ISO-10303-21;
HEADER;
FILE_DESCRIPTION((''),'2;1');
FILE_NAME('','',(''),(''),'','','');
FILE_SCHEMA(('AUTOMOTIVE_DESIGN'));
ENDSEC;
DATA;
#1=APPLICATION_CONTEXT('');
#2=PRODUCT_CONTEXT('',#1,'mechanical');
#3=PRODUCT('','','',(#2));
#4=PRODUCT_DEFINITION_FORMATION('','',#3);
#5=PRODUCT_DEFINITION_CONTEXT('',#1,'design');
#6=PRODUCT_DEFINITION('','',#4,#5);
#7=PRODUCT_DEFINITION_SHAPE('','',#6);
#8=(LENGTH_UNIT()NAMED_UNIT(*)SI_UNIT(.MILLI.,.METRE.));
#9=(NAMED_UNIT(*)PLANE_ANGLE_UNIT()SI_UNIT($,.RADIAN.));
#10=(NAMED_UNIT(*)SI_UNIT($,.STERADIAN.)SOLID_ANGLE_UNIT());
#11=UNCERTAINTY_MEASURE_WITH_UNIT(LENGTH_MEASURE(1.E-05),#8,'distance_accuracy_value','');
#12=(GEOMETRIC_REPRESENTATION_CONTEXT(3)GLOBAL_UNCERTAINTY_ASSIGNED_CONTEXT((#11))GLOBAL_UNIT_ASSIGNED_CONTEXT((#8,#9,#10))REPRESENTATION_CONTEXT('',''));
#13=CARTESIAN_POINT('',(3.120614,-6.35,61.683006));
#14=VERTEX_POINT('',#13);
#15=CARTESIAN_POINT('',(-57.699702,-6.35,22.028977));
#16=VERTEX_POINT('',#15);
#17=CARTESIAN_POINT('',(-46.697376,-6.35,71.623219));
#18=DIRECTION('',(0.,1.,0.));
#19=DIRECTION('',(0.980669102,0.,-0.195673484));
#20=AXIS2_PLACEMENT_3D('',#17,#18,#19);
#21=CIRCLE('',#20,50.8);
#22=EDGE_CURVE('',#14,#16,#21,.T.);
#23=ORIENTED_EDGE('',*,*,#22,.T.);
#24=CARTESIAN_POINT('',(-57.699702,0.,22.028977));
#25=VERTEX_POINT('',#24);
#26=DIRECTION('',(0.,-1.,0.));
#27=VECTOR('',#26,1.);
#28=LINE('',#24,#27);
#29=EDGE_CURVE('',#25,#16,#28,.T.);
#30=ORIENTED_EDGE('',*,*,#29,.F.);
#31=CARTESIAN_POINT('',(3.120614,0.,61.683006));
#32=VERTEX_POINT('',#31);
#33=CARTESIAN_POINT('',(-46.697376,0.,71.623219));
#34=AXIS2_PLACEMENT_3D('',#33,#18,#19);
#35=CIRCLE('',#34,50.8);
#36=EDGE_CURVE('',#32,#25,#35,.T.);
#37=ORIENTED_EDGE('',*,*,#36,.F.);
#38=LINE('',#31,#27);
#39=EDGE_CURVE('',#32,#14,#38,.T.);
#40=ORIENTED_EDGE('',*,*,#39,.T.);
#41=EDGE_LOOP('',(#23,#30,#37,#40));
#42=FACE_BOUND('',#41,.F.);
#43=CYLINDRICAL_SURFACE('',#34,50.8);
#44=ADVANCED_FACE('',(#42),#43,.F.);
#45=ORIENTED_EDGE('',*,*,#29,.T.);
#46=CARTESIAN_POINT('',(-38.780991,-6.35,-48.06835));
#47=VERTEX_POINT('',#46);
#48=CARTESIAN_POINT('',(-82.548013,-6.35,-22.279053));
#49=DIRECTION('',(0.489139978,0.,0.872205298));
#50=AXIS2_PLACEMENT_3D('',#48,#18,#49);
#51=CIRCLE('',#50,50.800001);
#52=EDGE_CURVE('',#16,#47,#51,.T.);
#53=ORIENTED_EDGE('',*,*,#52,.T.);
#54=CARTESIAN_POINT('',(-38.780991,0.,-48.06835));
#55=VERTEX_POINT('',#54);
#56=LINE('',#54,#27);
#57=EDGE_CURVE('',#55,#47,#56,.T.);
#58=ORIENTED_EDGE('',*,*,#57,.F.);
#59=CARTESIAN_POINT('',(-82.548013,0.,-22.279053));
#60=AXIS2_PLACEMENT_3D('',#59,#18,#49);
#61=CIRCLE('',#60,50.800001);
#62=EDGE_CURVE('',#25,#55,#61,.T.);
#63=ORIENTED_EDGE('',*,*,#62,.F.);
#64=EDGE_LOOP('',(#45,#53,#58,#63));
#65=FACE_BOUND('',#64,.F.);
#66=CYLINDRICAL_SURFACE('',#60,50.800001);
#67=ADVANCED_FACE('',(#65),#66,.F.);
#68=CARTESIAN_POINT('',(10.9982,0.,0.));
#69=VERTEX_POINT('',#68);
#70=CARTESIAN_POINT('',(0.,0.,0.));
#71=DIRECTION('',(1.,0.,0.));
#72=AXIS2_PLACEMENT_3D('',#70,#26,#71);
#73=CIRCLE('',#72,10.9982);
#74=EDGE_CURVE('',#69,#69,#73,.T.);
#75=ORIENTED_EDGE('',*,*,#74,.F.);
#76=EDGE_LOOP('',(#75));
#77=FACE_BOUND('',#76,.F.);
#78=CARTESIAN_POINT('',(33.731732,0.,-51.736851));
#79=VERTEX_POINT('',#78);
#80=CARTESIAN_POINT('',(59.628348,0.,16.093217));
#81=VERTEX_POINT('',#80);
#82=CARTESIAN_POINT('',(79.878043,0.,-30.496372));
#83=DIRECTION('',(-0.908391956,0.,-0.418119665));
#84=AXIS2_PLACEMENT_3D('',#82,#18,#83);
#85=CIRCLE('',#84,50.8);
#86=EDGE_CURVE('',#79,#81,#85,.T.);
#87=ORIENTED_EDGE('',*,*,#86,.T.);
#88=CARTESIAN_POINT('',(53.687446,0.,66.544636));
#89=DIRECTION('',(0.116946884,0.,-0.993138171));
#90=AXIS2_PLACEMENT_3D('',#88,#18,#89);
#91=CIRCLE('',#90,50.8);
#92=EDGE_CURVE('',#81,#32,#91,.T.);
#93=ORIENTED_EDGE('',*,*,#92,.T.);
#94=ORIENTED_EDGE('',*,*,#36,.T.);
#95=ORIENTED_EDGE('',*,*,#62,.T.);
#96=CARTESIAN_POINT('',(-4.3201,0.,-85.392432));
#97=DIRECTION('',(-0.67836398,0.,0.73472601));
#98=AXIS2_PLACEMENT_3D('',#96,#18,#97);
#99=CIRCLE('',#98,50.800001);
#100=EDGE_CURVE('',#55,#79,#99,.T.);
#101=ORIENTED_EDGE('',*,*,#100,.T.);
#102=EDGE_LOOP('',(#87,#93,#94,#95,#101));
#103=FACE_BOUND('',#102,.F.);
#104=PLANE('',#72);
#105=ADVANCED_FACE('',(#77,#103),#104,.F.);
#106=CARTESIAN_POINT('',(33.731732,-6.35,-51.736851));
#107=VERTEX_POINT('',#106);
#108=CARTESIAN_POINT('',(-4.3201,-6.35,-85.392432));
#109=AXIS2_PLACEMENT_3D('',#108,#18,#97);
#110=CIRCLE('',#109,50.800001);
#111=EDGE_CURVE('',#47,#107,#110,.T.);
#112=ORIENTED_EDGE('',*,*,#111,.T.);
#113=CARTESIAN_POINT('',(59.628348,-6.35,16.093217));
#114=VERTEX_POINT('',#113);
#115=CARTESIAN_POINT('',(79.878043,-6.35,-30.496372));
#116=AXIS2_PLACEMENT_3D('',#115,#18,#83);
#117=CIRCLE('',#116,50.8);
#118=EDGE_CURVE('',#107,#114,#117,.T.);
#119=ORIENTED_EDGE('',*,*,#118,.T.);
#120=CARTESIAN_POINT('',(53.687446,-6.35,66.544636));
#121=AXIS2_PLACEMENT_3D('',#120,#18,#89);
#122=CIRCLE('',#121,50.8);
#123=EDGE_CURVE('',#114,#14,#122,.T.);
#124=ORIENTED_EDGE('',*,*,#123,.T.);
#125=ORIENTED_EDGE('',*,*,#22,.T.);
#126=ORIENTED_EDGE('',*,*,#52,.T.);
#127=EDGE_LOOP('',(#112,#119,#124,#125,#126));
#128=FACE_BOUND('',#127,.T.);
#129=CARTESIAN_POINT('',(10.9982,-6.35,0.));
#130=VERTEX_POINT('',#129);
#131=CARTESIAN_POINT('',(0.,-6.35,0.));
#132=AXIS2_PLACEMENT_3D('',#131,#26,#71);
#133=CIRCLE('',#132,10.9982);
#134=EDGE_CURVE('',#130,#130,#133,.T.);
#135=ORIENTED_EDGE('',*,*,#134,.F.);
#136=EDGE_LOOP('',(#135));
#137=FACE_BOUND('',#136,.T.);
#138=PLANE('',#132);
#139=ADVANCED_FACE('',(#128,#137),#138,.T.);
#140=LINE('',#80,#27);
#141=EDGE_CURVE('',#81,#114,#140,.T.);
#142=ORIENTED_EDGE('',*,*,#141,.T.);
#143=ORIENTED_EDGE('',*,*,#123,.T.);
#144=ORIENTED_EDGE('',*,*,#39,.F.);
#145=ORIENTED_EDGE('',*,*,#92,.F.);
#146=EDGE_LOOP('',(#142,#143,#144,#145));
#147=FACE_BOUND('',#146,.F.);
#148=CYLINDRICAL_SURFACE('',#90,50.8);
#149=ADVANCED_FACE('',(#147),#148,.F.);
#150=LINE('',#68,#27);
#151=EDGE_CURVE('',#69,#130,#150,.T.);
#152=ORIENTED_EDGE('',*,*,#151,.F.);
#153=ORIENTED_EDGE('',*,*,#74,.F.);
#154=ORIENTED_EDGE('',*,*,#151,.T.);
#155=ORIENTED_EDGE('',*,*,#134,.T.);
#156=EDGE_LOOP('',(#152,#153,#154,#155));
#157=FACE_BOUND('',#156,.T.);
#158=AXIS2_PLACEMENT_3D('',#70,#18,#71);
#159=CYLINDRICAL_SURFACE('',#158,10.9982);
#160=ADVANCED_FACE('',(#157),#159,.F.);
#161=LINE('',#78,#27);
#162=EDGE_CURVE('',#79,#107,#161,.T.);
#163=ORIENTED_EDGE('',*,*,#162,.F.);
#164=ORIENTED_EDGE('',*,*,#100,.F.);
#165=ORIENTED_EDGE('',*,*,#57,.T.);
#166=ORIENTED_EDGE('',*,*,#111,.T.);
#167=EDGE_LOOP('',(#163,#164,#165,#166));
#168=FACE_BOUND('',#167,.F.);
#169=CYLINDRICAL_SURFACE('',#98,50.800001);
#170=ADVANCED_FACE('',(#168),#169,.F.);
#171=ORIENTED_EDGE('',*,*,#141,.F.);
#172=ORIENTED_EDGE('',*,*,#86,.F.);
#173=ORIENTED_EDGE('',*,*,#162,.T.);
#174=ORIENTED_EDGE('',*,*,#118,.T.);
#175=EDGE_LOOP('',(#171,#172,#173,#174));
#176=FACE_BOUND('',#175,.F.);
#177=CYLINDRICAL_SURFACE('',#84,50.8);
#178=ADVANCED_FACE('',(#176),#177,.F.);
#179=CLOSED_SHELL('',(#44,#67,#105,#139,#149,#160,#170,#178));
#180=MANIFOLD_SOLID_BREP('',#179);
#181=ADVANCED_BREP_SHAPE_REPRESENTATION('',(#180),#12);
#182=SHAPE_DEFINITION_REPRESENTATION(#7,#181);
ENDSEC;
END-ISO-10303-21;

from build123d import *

# Parameters (mm, degrees)
F0_R     = 10.9982
F1_DEPTH = 6.35


with BuildPart() as f1:
    # F0 (on Front) → F1 (new body)
    with BuildSketch(Plane.XZ):
        with BuildLine():
            ThreePointArc((3.120614, 61.683006), (-18.952567, 29.068953), (-57.699702, 22.028977))
            ThreePointArc((-57.699702, 22.028977), (-33.502883, -9.042162), (-38.780991, -48.06835))
            ThreePointArc((-38.780991, -48.06835), (-1.753353, -34.657317), (33.731732, -51.736851))
            ThreePointArc((33.731732, -51.736851), (32.419251, -12.377238), (59.628348, 16.093217))
            ThreePointArc((59.628348, 16.093217), (21.789552, 27.007763), (3.120614, 61.683006))
        make_face()
        Circle(F0_R, mode=Mode.SUBTRACT)
    extrude(amount=F1_DEPTH)


solid = f1.part
